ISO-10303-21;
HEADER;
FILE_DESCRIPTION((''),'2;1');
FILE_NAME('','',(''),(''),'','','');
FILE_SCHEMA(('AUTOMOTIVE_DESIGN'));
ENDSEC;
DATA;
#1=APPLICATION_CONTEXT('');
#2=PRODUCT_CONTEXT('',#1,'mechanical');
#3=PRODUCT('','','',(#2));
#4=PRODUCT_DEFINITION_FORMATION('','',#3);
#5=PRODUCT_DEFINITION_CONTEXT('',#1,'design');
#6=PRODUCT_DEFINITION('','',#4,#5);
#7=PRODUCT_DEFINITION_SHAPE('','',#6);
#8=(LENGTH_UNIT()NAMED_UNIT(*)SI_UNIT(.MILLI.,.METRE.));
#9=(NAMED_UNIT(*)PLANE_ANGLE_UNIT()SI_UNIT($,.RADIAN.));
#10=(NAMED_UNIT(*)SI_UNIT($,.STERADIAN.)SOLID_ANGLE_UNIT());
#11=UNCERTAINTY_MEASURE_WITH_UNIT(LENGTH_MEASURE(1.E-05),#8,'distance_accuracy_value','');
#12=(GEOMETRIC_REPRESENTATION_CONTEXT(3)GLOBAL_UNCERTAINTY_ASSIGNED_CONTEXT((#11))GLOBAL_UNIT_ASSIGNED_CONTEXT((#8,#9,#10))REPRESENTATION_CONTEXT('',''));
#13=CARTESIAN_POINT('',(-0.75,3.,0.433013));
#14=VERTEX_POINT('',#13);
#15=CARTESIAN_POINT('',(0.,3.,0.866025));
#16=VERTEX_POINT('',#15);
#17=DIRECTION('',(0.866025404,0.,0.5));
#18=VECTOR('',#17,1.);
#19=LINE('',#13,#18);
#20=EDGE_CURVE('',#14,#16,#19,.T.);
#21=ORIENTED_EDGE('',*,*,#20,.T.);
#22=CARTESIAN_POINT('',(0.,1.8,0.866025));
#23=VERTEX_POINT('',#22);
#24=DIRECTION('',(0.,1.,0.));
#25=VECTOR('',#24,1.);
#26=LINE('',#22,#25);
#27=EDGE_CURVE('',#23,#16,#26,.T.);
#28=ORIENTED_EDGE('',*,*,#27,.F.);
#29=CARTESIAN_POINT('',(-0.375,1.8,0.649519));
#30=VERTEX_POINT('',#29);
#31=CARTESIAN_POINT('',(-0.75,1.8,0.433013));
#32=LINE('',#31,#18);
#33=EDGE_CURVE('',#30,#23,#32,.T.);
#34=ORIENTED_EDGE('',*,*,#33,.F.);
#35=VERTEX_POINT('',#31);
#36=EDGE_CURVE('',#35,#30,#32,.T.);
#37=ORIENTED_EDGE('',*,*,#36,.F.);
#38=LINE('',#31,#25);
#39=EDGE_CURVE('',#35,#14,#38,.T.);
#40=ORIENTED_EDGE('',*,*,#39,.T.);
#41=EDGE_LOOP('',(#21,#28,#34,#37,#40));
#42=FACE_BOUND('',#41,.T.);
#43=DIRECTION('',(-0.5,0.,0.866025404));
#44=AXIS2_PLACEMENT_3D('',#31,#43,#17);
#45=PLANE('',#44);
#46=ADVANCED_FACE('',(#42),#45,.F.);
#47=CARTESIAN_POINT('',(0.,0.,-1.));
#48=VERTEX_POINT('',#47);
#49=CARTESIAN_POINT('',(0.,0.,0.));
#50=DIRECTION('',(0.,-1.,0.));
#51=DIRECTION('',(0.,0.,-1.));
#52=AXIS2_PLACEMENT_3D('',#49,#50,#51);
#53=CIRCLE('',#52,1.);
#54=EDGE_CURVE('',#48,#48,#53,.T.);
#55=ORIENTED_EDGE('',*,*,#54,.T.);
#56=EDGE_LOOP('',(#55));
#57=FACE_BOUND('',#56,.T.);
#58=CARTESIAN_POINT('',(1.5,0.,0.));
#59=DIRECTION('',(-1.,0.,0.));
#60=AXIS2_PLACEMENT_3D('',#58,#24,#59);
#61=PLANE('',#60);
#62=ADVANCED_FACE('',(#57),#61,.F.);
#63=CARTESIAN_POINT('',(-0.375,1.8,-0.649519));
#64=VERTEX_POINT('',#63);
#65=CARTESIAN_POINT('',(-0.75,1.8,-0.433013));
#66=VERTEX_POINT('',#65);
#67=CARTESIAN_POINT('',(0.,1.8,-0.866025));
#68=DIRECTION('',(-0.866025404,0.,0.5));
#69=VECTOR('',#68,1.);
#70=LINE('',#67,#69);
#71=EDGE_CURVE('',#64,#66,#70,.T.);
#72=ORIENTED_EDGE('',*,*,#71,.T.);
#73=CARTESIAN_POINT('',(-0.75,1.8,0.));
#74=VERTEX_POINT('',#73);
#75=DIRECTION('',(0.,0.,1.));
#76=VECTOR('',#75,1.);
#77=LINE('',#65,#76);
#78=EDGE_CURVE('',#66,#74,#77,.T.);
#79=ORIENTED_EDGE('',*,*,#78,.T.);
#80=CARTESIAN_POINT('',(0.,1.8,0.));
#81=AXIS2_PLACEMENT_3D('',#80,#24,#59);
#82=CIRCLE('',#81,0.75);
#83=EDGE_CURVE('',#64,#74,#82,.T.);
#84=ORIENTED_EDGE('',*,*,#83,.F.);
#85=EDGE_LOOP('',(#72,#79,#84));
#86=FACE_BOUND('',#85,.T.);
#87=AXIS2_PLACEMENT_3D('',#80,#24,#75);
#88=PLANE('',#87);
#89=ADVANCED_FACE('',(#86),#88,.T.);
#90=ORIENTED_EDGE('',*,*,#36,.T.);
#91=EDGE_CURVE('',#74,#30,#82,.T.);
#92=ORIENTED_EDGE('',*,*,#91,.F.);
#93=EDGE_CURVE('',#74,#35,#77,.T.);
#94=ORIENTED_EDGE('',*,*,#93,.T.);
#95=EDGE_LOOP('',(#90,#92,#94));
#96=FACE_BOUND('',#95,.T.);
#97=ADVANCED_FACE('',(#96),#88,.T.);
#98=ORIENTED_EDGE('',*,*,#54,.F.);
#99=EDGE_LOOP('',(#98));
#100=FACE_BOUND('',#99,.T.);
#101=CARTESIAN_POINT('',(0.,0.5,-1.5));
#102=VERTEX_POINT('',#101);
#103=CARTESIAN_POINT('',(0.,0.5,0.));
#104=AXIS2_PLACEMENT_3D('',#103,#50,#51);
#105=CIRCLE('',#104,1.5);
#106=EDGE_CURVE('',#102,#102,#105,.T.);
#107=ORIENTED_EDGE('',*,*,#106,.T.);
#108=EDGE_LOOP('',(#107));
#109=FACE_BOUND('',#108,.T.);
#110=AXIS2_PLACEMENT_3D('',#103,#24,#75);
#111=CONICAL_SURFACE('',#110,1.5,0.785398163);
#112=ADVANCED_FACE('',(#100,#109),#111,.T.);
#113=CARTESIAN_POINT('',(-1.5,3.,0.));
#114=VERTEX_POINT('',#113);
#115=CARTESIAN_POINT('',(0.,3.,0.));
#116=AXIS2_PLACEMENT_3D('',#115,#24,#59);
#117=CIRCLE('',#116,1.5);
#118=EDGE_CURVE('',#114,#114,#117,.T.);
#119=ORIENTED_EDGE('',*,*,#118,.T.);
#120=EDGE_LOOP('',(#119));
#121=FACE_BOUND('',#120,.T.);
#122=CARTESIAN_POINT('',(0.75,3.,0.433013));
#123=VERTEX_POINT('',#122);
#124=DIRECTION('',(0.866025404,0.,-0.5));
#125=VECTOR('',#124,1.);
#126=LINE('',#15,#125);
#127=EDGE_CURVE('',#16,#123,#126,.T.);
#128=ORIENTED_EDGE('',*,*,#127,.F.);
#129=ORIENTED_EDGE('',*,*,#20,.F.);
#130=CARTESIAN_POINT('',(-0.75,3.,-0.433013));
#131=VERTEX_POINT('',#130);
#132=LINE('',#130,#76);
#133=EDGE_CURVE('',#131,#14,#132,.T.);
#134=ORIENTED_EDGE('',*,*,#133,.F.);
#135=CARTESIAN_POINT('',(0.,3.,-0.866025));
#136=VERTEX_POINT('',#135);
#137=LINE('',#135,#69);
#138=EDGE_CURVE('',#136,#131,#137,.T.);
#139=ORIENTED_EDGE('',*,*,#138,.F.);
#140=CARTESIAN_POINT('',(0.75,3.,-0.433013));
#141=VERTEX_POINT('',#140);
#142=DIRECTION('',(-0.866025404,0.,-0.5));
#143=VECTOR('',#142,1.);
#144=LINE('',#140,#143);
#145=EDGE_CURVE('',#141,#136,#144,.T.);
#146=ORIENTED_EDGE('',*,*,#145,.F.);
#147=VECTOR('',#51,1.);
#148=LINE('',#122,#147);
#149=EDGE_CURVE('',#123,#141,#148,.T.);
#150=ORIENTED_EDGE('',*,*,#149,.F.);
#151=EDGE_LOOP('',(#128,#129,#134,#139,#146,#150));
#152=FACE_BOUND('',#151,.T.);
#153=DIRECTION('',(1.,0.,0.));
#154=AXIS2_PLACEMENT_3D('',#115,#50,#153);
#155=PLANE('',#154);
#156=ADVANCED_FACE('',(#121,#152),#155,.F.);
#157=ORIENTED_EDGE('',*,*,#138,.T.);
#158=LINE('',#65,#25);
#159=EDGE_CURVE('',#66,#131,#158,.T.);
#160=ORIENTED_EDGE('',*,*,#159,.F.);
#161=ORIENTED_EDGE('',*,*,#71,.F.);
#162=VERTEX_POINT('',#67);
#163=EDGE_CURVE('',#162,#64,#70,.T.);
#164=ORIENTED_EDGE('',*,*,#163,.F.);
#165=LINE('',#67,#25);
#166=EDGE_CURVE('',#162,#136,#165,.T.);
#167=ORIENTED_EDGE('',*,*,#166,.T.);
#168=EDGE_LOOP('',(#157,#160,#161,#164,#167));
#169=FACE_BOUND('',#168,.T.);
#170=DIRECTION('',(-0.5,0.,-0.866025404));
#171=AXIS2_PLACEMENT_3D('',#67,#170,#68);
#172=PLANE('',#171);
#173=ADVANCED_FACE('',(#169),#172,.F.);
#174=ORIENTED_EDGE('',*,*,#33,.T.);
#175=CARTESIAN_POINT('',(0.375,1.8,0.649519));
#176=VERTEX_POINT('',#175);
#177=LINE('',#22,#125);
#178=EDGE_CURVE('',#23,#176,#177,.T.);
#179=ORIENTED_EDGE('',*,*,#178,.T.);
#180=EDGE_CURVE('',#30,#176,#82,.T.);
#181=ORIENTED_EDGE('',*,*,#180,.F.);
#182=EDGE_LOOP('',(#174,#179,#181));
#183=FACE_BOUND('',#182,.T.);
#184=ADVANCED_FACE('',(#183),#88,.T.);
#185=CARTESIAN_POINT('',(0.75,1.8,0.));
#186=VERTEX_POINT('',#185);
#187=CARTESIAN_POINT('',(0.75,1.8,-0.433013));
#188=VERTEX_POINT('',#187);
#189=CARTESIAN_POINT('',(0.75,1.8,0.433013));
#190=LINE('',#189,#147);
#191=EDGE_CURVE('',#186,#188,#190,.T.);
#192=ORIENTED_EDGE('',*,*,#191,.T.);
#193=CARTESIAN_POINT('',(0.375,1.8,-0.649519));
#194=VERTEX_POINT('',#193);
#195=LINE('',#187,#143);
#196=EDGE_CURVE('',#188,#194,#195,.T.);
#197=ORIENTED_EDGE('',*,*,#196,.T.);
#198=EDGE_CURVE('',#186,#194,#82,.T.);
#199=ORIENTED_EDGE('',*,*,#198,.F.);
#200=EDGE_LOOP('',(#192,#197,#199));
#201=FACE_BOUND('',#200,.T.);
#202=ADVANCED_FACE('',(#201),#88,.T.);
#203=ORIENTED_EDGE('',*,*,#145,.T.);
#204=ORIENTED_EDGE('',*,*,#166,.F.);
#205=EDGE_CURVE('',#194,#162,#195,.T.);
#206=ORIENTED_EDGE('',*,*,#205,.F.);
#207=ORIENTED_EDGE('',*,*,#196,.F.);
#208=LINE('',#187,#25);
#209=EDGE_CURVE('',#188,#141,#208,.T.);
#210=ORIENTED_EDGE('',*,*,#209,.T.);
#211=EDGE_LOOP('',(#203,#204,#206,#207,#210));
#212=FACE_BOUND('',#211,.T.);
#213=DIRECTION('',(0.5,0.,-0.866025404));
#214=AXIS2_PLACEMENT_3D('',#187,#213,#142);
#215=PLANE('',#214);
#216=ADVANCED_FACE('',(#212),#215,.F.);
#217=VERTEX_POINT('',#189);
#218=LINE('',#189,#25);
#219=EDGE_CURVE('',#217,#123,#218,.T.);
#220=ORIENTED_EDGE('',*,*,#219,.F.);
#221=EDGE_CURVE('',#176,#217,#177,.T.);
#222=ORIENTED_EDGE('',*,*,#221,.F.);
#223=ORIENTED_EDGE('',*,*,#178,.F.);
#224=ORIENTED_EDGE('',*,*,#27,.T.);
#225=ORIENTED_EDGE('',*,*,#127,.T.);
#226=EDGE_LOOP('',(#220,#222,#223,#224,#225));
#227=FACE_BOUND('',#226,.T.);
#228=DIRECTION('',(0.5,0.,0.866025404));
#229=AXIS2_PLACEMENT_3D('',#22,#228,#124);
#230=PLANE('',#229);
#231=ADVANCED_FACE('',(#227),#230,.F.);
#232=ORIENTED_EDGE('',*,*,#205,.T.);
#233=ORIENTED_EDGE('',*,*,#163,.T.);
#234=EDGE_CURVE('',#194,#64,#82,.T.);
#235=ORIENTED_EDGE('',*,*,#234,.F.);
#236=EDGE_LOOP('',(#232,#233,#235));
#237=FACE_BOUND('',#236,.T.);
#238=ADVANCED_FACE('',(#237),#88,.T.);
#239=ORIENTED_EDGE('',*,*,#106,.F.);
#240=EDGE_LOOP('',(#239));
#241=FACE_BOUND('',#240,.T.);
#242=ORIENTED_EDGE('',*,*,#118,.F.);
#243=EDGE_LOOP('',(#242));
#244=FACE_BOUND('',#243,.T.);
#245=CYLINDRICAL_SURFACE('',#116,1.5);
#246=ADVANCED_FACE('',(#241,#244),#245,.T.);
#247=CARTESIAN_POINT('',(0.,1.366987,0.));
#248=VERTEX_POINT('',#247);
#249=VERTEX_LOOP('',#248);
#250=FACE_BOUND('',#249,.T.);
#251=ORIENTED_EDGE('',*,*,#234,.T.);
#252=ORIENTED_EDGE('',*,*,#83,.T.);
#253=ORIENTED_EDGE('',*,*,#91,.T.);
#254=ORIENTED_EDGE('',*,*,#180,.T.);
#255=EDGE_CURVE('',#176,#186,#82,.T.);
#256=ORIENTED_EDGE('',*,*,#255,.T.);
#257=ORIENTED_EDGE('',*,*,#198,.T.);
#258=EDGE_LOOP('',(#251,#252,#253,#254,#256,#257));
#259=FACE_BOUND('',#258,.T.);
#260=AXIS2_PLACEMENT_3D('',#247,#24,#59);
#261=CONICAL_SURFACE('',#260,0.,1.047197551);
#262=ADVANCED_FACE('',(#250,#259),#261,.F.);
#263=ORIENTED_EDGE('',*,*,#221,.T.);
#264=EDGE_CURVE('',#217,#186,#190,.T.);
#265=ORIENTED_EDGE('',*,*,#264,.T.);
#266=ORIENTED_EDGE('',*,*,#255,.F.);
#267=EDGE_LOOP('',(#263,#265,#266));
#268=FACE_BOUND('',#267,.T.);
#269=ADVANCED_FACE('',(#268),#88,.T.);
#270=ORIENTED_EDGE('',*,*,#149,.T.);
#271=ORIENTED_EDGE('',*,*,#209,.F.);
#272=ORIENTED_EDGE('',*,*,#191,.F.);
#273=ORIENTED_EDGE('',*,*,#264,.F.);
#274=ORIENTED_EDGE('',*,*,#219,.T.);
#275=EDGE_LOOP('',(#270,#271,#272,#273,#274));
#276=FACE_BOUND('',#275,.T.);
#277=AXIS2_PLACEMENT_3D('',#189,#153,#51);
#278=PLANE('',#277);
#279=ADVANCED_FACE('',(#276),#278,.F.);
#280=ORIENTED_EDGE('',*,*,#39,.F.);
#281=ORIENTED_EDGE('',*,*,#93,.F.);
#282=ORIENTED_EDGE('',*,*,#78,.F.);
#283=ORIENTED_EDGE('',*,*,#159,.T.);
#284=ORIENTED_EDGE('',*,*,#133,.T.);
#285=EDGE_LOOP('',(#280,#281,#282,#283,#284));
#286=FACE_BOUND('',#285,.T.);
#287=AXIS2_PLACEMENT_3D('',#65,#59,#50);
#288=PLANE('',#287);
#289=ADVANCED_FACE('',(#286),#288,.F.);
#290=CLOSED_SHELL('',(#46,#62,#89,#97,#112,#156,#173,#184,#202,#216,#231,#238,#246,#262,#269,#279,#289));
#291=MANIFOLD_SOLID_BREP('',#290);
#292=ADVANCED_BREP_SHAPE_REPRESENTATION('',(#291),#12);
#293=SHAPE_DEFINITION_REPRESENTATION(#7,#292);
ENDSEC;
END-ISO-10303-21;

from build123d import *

# Parameters (mm, degrees)
SKETCH1_W          = 1.5
SKETCH1_H          = 3
CUT_EXTRUDE1_DEPTH = 1.2


with BuildPart() as part:
    # Sketch1 → Revolve1 (revolve)
    with BuildSketch(Plane.XY):
        with Locations((0.75, 1.5)):
            Rectangle(SKETCH1_W, SKETCH1_H)
    revolve(axis=Axis((0, 3, 0), (0, -1, 0)))

    # Sketch2 → Cut-Revolve1 (revolve, cut)
    with BuildSketch(Plane.XY):
        Polygon((0, 3), (0.75, 3), (0.75, 1.8), (0, 1.366987298), align=None)
    revolve(axis=Axis((0, 3, 0), (0, -1, 0)), mode=Mode.SUBTRACT)

    # Sketch3 → Cut-Extrude1 (cut)
    with BuildSketch(Plane(origin=(0, 3, 0), x_dir=(1, 0, 0), z_dir=(0, 1, 0))):
        Polygon((0, 0.866025404), (-0.75, 0.433012702), (-0.75, -0.433012702), (0, -0.866025404), (0.75, -0.433012702), (0.75, 0.433012702), align=None)
    extrude(amount=-CUT_EXTRUDE1_DEPTH, mode=Mode.SUBTRACT)

    # Sketch4 → Cut-Revolve2 (revolve, cut)
    with BuildSketch(Plane.XY):
        Polygon((1, 0), (1.5, 0), (1.5, 0.5), align=None)
    revolve(axis=Axis((0, 0, 0), (0, 1, 0)), mode=Mode.SUBTRACT)


solid = part.part
